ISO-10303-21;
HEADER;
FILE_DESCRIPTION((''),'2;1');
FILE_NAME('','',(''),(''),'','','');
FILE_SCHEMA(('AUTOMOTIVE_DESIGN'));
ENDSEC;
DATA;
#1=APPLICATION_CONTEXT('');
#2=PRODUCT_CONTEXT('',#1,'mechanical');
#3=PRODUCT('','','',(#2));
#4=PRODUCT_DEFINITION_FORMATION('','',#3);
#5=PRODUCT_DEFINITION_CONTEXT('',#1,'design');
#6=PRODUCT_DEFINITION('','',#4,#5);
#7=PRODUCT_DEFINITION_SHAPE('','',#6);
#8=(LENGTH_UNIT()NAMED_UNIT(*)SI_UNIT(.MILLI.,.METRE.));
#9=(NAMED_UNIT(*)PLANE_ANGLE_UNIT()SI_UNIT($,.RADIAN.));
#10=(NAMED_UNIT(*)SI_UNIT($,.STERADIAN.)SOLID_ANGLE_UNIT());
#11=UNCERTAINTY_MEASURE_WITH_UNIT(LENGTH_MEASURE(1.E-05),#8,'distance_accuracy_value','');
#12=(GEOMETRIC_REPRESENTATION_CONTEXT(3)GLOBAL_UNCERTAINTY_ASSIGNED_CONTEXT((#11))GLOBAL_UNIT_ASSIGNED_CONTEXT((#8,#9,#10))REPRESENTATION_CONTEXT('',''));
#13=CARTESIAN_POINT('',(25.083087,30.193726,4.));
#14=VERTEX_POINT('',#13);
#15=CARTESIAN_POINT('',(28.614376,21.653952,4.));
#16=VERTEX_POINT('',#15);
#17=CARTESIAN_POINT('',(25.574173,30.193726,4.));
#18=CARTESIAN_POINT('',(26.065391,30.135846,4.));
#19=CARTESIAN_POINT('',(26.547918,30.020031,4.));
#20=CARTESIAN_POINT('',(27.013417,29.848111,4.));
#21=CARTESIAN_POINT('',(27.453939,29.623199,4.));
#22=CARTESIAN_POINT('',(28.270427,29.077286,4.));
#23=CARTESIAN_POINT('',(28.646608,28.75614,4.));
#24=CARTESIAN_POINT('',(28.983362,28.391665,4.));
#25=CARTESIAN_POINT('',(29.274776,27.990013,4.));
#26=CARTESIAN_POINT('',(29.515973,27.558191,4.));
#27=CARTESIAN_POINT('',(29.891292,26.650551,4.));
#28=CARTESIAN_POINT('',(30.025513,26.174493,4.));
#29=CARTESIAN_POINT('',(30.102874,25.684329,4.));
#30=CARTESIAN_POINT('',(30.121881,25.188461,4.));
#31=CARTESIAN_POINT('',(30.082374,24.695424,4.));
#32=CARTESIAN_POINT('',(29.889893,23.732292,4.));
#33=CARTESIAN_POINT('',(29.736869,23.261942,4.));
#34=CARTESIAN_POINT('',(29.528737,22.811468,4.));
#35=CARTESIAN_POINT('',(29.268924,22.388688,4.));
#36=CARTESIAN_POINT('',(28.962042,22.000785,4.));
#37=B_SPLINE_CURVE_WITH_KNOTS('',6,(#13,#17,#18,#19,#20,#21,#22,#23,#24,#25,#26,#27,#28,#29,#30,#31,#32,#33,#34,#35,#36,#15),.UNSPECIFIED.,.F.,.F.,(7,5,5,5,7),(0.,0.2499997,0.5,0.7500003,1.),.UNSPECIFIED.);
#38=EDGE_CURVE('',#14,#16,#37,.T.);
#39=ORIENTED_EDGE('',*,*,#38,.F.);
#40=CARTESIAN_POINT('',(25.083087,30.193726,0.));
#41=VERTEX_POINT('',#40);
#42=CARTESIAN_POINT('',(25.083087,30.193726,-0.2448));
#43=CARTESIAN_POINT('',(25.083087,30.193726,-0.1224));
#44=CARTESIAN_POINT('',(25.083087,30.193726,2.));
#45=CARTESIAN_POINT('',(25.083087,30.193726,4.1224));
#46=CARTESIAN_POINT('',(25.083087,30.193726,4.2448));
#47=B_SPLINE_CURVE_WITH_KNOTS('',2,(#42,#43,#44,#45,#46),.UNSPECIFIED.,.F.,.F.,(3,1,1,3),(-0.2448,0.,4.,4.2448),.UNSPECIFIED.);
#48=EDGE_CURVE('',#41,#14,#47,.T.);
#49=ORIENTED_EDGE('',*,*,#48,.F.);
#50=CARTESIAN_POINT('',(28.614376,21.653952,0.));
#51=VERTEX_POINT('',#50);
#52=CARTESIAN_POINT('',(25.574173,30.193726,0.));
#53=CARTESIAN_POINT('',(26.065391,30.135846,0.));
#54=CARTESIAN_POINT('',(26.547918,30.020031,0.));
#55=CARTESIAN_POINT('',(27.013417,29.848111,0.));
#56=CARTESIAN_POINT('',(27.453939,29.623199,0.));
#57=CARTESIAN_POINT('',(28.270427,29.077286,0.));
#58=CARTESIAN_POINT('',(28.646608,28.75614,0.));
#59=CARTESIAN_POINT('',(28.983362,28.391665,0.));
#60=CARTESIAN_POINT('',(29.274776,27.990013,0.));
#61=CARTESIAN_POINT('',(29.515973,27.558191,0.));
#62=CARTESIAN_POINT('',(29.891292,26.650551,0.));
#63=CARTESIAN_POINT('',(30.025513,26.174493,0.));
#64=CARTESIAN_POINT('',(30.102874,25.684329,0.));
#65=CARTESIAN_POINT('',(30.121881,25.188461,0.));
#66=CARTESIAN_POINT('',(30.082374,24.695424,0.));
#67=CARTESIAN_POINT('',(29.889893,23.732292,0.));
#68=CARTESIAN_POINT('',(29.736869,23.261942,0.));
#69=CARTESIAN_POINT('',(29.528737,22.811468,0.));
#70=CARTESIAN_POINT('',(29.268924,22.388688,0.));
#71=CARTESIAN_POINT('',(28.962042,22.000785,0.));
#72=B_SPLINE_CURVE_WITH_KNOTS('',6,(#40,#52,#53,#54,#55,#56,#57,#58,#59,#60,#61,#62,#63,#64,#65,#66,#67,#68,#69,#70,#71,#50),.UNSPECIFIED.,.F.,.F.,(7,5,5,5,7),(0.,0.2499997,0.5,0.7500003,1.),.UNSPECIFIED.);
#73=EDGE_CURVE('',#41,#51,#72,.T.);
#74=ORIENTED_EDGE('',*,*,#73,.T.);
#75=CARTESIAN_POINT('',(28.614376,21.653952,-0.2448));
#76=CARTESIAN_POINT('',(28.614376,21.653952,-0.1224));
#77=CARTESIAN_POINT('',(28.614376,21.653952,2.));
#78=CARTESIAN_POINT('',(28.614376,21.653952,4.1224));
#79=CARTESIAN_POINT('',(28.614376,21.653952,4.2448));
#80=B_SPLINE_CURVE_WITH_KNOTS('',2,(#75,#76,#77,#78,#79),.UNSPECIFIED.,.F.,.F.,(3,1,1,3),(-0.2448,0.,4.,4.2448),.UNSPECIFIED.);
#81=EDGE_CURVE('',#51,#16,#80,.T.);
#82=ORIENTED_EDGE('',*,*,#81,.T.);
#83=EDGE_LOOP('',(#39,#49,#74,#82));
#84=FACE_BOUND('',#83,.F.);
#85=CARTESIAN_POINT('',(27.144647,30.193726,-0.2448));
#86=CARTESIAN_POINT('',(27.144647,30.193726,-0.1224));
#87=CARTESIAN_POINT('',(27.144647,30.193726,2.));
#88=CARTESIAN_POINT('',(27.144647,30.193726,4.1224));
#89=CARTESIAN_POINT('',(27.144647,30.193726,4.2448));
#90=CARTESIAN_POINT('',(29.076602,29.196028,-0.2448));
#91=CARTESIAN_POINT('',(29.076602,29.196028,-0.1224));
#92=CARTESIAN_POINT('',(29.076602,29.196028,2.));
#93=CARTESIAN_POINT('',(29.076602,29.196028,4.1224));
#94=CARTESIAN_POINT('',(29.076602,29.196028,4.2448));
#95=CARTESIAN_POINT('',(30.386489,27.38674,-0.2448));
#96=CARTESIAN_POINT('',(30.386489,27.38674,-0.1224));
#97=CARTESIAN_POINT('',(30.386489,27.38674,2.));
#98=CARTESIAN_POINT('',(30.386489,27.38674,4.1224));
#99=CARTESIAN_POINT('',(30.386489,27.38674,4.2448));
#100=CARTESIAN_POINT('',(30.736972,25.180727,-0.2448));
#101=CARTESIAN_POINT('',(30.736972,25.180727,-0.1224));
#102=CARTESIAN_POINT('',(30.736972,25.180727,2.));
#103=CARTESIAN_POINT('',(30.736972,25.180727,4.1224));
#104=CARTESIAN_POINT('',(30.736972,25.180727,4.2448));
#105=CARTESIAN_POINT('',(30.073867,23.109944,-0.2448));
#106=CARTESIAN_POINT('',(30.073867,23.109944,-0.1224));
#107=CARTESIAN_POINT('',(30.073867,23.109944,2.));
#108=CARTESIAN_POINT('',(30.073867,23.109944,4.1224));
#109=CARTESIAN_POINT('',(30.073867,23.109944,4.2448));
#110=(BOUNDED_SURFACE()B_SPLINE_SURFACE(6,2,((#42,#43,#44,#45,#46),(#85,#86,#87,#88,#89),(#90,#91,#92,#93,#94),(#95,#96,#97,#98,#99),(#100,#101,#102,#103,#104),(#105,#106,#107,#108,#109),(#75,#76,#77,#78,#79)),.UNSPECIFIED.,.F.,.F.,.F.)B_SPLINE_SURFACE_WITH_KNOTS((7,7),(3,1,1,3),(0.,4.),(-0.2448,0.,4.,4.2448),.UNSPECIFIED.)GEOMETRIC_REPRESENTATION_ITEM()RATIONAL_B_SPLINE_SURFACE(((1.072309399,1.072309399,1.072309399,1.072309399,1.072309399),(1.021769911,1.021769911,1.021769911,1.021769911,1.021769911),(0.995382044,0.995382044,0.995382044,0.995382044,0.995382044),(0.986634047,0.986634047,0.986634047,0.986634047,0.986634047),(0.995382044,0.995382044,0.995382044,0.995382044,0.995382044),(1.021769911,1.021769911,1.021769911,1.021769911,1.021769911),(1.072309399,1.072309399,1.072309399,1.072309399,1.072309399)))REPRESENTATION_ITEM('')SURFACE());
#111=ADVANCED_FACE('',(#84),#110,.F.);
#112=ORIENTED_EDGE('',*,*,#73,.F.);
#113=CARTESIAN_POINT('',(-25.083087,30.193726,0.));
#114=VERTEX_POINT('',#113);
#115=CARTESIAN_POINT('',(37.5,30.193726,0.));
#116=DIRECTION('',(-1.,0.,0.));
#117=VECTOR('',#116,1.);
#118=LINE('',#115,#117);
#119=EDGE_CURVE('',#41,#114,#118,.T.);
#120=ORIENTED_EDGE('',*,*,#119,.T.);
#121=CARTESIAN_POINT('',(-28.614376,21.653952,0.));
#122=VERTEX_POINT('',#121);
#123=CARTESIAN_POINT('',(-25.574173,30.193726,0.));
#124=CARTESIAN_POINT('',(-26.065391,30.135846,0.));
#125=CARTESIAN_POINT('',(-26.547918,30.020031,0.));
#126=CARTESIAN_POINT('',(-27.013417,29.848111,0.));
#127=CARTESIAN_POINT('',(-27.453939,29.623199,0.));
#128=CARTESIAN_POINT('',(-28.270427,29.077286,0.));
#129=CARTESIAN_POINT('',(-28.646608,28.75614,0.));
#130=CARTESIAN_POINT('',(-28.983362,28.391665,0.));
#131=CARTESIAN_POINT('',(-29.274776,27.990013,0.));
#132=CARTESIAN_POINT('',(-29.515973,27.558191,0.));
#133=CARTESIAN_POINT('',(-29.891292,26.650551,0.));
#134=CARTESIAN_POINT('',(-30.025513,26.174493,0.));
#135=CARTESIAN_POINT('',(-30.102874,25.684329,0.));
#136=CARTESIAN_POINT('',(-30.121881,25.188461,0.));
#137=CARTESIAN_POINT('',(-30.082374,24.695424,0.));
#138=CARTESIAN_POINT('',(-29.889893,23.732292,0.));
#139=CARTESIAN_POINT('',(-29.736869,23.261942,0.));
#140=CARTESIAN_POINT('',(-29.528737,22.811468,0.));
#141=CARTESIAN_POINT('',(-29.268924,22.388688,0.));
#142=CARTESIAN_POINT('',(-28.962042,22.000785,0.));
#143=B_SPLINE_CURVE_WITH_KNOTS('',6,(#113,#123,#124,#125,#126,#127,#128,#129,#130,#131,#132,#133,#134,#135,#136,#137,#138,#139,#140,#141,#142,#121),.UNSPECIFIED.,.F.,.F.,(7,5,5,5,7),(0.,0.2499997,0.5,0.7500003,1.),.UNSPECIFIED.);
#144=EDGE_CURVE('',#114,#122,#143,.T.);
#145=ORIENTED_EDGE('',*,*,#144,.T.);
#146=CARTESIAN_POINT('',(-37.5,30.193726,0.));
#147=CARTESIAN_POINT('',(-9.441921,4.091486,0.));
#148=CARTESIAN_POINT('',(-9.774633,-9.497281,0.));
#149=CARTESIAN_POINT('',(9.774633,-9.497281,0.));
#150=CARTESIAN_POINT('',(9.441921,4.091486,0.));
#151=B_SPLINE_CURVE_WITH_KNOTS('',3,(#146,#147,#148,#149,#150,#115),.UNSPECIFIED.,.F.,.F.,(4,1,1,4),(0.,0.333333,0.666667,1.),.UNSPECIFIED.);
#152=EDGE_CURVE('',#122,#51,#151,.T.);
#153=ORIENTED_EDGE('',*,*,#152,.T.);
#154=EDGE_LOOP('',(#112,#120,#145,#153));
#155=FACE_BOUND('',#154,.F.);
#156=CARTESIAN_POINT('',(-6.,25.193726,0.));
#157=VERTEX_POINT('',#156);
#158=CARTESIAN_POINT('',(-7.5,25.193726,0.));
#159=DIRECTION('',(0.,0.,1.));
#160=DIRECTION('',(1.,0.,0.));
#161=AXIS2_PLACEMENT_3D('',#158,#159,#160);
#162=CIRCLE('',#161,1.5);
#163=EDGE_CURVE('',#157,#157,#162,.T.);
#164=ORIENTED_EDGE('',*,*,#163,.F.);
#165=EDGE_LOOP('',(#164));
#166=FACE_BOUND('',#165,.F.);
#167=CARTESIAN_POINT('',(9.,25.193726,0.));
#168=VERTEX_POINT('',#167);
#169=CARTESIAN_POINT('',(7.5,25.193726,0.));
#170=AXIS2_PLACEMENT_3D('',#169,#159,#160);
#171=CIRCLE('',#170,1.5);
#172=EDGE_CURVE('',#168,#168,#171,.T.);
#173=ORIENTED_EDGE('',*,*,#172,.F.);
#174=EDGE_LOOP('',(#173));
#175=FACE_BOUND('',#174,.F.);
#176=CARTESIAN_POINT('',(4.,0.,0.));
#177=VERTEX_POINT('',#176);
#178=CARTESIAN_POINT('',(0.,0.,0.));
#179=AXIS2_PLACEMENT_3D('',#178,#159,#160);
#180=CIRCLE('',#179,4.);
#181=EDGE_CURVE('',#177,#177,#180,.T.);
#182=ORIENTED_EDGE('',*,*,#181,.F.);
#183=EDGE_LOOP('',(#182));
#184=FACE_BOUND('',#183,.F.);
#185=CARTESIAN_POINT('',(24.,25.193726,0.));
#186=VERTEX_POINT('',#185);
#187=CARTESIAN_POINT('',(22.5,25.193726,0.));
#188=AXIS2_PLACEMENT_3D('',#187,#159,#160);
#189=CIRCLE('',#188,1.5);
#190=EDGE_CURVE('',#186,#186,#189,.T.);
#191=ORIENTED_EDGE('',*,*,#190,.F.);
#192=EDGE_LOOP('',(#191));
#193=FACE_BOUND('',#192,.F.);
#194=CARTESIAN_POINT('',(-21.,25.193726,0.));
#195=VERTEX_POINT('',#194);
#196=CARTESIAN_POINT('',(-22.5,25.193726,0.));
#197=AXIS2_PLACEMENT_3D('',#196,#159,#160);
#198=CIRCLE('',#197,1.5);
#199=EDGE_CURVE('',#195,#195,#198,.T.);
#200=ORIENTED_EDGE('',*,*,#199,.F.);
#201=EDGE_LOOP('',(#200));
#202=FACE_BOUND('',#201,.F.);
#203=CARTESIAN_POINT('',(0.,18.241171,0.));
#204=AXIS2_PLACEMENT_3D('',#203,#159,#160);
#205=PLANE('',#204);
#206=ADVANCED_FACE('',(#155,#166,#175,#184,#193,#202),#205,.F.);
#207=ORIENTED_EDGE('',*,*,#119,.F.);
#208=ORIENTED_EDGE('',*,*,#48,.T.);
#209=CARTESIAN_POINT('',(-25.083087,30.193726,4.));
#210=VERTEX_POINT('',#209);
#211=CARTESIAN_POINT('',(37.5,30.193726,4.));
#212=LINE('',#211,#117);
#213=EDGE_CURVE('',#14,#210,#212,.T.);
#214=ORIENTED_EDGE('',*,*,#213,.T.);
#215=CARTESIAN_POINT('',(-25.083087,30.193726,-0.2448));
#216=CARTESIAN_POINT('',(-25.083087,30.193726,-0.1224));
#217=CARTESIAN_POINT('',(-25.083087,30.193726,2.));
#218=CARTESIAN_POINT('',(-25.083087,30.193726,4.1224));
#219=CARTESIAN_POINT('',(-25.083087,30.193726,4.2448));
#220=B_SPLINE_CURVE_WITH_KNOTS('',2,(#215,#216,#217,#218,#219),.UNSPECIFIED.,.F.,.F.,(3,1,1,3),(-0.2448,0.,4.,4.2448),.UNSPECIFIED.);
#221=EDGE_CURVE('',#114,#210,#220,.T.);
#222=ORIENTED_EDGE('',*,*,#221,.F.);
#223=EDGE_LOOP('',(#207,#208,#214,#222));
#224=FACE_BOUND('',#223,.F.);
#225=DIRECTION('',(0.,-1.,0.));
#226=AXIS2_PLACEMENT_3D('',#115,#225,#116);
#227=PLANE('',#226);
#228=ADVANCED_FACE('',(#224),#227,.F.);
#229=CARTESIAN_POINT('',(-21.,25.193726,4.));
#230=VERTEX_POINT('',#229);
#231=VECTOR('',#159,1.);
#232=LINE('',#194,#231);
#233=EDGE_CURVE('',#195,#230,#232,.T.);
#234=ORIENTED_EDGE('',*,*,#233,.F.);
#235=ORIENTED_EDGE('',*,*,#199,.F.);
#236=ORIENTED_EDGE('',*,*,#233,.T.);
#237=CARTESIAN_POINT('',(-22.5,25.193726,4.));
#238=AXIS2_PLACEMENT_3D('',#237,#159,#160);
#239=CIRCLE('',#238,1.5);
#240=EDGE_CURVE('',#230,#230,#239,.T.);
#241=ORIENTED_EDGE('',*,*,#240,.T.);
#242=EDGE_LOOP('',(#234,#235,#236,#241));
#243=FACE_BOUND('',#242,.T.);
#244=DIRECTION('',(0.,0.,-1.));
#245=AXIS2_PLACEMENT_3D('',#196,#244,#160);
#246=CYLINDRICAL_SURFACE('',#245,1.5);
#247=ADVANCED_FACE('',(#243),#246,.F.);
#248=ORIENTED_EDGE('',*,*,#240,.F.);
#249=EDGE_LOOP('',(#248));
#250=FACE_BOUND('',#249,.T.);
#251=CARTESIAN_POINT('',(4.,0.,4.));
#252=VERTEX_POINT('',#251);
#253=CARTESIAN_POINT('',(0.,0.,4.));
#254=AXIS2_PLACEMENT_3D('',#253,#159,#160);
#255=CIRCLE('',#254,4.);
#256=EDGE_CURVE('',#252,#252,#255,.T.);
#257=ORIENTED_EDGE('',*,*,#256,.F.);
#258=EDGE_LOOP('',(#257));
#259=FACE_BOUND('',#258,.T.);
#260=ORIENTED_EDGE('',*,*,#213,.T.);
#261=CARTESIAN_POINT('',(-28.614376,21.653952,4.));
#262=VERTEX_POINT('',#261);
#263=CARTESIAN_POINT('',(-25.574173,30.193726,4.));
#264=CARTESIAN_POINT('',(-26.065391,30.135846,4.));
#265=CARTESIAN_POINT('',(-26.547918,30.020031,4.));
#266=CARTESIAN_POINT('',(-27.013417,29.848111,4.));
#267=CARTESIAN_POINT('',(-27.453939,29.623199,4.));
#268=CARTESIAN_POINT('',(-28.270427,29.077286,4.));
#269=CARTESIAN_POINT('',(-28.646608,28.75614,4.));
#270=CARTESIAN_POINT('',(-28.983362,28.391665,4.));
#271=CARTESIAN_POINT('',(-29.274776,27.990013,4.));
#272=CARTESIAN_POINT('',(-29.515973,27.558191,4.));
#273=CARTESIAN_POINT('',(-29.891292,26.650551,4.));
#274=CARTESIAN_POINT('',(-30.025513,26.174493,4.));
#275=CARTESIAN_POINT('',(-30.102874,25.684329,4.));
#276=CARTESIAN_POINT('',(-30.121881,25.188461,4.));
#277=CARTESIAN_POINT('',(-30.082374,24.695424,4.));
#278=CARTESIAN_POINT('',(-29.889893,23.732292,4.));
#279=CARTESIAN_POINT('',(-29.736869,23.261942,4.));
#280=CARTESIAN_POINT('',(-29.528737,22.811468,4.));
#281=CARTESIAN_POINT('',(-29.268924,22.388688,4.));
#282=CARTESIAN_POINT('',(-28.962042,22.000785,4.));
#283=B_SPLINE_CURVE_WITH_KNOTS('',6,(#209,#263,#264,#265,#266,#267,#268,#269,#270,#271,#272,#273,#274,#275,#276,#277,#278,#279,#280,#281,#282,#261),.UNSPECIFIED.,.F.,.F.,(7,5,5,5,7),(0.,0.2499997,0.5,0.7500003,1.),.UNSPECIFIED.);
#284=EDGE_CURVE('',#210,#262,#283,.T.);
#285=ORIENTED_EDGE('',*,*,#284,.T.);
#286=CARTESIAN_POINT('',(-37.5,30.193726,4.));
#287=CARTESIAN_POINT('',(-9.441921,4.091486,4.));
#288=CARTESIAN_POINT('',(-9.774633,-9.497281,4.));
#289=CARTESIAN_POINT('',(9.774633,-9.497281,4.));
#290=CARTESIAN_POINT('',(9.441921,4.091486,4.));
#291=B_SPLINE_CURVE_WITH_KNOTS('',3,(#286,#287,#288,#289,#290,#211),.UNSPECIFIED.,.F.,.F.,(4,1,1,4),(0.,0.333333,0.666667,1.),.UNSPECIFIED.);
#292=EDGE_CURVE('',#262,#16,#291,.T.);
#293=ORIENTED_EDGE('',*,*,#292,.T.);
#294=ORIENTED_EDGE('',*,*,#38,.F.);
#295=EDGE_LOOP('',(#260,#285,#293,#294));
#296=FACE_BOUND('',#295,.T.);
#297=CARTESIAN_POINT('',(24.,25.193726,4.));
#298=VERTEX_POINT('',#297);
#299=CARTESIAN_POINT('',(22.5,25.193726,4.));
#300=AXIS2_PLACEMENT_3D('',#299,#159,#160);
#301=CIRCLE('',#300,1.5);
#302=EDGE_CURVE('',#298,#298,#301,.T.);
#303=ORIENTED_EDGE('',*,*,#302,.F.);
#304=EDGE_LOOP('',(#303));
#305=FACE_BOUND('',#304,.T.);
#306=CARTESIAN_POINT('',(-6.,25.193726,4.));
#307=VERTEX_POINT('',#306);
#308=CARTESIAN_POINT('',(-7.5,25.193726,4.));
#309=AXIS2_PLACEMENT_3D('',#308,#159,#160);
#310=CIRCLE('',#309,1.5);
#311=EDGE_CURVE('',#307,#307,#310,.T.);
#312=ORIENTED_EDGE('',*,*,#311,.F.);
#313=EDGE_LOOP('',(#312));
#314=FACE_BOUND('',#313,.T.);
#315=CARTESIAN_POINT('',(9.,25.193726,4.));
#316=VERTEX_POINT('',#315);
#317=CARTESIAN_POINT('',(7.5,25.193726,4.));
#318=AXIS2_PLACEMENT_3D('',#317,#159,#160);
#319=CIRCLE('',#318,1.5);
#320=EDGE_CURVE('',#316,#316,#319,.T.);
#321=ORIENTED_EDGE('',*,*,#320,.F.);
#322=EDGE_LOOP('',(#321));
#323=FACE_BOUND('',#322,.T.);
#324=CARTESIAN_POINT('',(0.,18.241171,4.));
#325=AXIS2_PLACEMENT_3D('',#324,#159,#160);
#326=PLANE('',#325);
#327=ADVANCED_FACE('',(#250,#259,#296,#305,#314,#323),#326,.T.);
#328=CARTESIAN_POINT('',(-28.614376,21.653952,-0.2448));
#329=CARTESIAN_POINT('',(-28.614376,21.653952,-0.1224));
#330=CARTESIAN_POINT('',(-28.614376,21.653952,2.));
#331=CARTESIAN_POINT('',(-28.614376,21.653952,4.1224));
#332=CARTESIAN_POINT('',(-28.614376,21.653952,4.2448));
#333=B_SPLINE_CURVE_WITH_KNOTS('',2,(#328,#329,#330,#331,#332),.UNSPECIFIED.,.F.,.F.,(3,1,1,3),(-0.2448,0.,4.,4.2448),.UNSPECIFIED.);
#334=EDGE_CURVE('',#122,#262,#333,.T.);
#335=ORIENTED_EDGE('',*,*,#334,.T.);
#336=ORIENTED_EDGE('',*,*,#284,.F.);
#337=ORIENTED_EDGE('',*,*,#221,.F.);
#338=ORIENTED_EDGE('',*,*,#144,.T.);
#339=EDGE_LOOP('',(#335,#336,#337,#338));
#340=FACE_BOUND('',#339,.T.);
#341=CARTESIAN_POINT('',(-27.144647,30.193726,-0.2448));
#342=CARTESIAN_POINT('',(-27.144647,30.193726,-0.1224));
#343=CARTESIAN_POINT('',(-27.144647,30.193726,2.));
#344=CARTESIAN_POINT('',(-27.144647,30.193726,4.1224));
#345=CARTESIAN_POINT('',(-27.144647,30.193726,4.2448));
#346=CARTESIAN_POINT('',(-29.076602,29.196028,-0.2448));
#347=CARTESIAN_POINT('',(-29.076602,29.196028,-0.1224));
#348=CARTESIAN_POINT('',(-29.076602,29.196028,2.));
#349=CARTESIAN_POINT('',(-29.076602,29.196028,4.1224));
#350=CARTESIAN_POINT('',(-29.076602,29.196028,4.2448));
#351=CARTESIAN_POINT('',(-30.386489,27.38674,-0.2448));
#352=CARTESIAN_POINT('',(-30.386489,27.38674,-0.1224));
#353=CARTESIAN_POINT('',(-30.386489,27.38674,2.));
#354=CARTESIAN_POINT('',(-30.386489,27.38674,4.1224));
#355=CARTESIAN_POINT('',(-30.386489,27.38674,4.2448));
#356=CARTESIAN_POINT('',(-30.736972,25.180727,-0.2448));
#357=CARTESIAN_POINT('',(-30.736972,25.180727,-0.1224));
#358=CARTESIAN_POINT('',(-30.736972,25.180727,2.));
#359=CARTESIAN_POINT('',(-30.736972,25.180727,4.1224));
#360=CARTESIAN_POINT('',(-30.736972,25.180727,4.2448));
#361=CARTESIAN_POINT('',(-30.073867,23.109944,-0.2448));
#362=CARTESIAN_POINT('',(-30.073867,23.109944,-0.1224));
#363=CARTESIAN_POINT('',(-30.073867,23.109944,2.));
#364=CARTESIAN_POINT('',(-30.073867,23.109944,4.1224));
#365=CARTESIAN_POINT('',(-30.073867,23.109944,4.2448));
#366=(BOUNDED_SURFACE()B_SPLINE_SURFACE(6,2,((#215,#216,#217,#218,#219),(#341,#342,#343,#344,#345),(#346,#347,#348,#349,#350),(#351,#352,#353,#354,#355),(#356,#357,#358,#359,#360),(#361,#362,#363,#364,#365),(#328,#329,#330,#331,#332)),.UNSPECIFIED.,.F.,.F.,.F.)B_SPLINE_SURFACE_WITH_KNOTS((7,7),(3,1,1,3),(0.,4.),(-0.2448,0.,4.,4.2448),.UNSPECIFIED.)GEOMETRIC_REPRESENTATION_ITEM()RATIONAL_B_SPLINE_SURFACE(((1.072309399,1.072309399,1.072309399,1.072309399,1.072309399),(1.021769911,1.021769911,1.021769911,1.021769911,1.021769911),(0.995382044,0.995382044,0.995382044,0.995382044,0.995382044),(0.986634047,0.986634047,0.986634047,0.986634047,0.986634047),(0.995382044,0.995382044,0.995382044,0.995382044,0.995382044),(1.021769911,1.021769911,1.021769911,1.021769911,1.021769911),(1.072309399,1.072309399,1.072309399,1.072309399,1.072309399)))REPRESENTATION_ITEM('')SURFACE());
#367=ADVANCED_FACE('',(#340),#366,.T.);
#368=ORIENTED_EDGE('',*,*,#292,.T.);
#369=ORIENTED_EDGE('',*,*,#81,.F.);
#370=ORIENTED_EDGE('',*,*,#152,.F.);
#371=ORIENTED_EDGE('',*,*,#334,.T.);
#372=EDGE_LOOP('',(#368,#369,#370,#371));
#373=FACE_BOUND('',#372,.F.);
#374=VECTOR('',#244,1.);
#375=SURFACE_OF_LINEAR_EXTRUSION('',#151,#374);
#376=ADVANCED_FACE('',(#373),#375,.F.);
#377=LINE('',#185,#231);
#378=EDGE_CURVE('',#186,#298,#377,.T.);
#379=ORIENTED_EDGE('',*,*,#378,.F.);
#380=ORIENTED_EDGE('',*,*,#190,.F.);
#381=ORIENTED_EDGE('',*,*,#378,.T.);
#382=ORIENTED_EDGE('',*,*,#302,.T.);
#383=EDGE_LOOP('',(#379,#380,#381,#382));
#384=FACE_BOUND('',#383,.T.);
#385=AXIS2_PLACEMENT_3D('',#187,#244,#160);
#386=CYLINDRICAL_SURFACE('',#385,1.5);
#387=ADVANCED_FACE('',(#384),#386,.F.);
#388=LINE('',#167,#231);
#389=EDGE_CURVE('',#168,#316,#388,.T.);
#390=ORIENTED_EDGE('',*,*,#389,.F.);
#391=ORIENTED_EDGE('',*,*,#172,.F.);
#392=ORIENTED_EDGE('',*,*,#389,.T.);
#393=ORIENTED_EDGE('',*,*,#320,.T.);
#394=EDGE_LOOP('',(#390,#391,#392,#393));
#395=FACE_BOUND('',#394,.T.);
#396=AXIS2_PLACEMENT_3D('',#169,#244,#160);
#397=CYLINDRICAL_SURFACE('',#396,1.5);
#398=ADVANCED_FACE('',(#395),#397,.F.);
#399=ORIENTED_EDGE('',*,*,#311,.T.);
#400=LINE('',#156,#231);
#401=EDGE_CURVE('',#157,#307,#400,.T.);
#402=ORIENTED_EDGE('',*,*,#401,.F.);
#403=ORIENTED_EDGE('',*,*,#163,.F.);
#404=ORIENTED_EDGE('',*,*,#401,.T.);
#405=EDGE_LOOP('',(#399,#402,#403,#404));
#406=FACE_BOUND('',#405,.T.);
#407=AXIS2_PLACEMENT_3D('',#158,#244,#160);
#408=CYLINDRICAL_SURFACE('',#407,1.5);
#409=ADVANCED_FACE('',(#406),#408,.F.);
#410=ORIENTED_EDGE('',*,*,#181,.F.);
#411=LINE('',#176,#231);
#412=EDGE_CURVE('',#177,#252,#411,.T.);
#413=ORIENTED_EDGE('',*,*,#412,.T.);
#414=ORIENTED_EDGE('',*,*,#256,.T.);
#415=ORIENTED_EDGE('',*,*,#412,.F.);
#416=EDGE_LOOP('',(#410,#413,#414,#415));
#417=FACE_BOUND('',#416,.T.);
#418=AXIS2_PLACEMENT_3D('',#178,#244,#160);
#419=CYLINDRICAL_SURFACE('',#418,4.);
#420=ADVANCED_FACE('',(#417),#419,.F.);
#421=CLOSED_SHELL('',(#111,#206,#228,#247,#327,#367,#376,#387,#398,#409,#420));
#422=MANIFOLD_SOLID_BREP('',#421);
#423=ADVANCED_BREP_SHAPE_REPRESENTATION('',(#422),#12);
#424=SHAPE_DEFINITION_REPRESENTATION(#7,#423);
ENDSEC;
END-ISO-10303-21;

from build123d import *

# Parameters (mm, degrees)
SKETCH_R   = 1.5
SKETCH_R_2 = 4
PAD_DEPTH  = 4
FILLET_R   = 5


with BuildPart() as part:
    # Sketch → Pad (new body)
    with BuildSketch(Plane.XY):
        with BuildLine():
            Line((37.5, 30.193726), (-37.5, 30.193726))
            add(Edge.make_bspline(
                [(-37.5, 30.193726), (-9.441921, 4.091486), (-9.774633, -9.497281), (9.774633, -9.497281), (9.441921, 4.091486), (37.5, 30.193726)],
                knots=[0, 0, 0, 0, 0.333333, 0.666667, 1, 1, 1, 1], degree=3))
        make_face()
        with Locations((-22.5, 25.193726)):
            Circle(SKETCH_R, mode=Mode.SUBTRACT)
        with Locations((-7.5, 25.193726)):
            Circle(SKETCH_R, mode=Mode.SUBTRACT)
        with Locations((7.5, 25.193726)):
            Circle(SKETCH_R, mode=Mode.SUBTRACT)
        with Locations((22.5, 25.193726)):
            Circle(SKETCH_R, mode=Mode.SUBTRACT)
        Circle(SKETCH_R_2, mode=Mode.SUBTRACT)
    extrude(amount=PAD_DEPTH)

    # Fillet
    fillet_edges = [part.edges().sort_by_distance(p)[0] for p in [
        (37.5, 30.193726, 2),
        (-37.5, 30.193726, 2),
    ]]
    fillet(fillet_edges, radius=FILLET_R)


solid = part.part
